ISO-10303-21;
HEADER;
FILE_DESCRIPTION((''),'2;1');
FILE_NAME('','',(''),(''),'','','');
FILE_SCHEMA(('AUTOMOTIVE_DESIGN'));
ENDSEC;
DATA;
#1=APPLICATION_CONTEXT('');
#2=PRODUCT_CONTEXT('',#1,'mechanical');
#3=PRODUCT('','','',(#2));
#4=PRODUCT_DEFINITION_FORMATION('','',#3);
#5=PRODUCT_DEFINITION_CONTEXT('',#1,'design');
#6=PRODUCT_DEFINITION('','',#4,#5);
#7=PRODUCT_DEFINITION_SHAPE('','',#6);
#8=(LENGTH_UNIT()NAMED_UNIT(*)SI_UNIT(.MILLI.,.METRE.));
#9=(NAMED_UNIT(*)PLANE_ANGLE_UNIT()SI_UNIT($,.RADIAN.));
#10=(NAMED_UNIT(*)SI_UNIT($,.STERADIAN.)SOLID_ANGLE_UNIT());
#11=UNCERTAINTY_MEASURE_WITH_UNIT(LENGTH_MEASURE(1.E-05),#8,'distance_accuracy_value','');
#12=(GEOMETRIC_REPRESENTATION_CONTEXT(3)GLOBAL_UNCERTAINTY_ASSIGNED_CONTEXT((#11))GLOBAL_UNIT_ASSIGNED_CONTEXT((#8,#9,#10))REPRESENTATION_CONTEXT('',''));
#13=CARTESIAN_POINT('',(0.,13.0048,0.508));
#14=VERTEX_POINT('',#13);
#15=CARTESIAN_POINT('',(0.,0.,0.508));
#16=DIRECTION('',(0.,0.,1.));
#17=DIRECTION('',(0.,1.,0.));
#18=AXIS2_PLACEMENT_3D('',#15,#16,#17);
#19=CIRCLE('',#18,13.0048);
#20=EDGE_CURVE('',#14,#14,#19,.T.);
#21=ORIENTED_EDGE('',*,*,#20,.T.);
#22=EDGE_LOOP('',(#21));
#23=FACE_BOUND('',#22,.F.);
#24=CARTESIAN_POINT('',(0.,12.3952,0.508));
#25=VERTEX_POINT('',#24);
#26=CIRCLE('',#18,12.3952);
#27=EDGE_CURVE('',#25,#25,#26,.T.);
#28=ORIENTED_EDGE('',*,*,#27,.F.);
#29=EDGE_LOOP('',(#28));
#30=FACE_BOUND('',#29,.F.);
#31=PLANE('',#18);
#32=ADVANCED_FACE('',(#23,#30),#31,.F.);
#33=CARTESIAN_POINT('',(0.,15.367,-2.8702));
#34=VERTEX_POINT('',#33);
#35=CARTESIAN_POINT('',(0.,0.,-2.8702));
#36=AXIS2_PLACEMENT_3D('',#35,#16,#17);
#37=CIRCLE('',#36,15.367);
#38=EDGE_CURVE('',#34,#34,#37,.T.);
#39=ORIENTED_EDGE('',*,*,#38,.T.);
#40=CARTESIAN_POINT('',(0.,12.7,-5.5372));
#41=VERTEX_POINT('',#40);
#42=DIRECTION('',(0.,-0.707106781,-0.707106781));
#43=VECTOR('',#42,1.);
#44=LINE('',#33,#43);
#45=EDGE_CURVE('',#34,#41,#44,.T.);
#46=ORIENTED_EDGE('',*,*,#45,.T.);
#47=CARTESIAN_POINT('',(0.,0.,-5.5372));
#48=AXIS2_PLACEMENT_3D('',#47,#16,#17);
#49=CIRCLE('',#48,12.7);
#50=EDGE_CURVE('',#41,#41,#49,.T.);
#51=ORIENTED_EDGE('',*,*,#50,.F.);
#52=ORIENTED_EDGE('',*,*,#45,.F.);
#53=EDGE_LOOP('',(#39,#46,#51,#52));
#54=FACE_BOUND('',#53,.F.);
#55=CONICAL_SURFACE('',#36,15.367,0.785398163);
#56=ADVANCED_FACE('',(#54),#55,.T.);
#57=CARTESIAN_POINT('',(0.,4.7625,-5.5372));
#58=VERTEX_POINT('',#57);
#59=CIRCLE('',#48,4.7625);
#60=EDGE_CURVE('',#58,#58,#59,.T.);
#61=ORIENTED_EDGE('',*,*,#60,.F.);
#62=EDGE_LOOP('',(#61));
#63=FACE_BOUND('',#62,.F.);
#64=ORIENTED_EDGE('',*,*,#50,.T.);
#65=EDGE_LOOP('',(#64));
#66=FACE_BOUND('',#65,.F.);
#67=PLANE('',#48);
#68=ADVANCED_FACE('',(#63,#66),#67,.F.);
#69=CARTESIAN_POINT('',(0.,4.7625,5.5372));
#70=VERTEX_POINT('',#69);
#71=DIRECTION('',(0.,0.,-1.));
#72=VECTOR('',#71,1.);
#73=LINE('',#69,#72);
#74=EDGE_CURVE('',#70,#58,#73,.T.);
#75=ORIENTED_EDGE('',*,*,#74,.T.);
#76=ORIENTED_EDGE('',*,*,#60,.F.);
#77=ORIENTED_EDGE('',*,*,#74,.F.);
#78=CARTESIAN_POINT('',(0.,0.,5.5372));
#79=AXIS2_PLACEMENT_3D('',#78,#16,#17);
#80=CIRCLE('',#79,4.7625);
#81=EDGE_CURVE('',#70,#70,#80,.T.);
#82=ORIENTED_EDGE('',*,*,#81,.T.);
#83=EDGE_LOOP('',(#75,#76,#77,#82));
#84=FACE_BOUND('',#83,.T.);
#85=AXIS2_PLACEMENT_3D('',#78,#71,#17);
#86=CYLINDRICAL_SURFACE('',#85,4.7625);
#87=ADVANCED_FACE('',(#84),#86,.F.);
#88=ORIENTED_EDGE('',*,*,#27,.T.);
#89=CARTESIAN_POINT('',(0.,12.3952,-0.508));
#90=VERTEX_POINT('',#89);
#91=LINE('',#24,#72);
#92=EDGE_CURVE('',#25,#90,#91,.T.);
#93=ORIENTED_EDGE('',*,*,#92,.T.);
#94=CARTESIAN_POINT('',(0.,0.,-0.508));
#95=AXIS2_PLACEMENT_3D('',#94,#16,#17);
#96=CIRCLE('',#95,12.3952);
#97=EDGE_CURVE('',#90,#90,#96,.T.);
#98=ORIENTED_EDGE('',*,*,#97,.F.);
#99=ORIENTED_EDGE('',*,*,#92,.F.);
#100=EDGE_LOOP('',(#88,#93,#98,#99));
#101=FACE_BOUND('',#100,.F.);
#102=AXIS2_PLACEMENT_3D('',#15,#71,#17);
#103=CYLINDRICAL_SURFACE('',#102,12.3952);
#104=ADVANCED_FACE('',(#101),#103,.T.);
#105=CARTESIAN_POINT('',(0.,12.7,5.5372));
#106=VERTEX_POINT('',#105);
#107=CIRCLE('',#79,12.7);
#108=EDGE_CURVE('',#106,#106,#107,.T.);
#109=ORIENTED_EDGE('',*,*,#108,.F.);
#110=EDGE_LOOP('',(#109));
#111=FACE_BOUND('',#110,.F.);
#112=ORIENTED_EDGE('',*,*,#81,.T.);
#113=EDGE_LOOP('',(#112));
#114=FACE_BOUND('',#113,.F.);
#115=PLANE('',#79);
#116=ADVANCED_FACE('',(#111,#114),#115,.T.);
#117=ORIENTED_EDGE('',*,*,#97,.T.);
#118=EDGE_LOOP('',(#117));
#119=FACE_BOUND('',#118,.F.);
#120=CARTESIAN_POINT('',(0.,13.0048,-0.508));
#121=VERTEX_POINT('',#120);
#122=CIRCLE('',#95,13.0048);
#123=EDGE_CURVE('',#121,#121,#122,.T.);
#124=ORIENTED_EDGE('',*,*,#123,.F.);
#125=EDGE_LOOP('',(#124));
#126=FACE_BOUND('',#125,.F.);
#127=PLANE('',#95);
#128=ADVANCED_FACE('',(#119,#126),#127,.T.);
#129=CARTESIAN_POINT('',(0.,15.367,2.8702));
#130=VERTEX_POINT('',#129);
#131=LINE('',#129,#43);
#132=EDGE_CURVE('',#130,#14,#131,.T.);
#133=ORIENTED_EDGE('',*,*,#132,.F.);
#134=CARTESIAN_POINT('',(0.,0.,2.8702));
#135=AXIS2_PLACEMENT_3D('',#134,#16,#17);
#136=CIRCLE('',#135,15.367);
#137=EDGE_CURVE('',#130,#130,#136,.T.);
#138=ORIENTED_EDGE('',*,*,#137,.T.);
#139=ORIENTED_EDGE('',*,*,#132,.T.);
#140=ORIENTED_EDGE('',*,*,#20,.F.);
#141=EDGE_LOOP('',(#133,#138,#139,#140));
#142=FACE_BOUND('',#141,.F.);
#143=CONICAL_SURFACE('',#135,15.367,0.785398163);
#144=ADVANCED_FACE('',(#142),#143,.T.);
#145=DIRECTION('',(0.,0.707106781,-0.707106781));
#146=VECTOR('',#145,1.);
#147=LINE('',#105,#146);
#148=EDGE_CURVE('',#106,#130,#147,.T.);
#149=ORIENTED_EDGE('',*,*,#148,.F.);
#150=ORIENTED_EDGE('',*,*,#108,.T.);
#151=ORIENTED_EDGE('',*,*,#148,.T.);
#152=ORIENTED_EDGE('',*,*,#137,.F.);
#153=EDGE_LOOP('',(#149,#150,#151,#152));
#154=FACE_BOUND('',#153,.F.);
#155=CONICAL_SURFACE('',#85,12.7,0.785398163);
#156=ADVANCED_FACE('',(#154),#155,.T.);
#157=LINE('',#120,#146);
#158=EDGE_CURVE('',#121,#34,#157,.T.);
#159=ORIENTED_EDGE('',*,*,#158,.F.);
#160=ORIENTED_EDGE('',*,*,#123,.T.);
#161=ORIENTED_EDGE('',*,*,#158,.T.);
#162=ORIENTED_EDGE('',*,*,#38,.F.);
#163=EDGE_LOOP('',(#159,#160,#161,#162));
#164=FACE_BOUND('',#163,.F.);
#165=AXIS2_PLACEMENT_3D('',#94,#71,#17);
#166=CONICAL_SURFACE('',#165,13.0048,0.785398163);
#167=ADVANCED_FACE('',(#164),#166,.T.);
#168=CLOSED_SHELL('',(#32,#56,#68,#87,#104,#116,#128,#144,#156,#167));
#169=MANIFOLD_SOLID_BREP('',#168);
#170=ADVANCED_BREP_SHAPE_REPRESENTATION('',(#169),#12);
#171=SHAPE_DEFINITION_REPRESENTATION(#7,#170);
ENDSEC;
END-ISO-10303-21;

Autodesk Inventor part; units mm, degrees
ref_plane "YZ Plane" through (0, 0, 0) normal (1, 0, 0) x (0, 1, 0)
ref_plane "XZ Plane" through (0, 0, 0) normal (0, 1, 0) x (-1, 0, 0)
ref_plane "XY Plane" through (0, 0, 0) normal (0, 0, 1) x (1, 0, 0)
sketch "Sketch1" plane through (0, 0, 0) normal (1, 0, 0) x (0, 1, 0)
  line L0 (4.7625, 5.5372) -> (4.7625, -5.5372)
  line L1 (4.7625, 5.5372) -> (12.7, 5.5372)
  line L2 (12.7, 5.5372) -> (15.367, 2.8702)
  line L3 (15.367, -2.8702) -> (12.7, -5.5372)
  line L4 (12.7, -5.5372) -> (4.7625, -5.5372)
  line L5 (4.7625, 0) -> (0, 0) construction
  line L6 (4.7625, 0) -> (12.3952, 0) construction
  line L7 (15.367, 2.8702) -> (13.0048, 0.508)
  line L8 (13.0048, -0.508) -> (15.367, -2.8702)
  line L9 (13.0048, 0.508) -> (12.3952, 0.508)
  line L10 (12.3952, 0.508) -> (12.3952, -0.508)
  line L11 (12.3952, -0.508) -> (13.0048, -0.508)
  line L12 (0, -5.4393) -> (0, 5.4393) construction
  line L13 (12.7, 5.5372) -> (12.7, 0.508) construction
  dimension "d0" = 4.7625
  dimension "d1" = 12.7
  dimension "d3" = 1.016
  dimension "d4" = 11.0744
  dimension "d6" = 15.367
  dimension "d7" = 5.7404
revolve "Revolution1" add sketch "Sketch1" angle 360 about axis through (0, 0, -5.4393) along (0, 0, 1)
properties part number "roller" material "Steel, Alloy"
